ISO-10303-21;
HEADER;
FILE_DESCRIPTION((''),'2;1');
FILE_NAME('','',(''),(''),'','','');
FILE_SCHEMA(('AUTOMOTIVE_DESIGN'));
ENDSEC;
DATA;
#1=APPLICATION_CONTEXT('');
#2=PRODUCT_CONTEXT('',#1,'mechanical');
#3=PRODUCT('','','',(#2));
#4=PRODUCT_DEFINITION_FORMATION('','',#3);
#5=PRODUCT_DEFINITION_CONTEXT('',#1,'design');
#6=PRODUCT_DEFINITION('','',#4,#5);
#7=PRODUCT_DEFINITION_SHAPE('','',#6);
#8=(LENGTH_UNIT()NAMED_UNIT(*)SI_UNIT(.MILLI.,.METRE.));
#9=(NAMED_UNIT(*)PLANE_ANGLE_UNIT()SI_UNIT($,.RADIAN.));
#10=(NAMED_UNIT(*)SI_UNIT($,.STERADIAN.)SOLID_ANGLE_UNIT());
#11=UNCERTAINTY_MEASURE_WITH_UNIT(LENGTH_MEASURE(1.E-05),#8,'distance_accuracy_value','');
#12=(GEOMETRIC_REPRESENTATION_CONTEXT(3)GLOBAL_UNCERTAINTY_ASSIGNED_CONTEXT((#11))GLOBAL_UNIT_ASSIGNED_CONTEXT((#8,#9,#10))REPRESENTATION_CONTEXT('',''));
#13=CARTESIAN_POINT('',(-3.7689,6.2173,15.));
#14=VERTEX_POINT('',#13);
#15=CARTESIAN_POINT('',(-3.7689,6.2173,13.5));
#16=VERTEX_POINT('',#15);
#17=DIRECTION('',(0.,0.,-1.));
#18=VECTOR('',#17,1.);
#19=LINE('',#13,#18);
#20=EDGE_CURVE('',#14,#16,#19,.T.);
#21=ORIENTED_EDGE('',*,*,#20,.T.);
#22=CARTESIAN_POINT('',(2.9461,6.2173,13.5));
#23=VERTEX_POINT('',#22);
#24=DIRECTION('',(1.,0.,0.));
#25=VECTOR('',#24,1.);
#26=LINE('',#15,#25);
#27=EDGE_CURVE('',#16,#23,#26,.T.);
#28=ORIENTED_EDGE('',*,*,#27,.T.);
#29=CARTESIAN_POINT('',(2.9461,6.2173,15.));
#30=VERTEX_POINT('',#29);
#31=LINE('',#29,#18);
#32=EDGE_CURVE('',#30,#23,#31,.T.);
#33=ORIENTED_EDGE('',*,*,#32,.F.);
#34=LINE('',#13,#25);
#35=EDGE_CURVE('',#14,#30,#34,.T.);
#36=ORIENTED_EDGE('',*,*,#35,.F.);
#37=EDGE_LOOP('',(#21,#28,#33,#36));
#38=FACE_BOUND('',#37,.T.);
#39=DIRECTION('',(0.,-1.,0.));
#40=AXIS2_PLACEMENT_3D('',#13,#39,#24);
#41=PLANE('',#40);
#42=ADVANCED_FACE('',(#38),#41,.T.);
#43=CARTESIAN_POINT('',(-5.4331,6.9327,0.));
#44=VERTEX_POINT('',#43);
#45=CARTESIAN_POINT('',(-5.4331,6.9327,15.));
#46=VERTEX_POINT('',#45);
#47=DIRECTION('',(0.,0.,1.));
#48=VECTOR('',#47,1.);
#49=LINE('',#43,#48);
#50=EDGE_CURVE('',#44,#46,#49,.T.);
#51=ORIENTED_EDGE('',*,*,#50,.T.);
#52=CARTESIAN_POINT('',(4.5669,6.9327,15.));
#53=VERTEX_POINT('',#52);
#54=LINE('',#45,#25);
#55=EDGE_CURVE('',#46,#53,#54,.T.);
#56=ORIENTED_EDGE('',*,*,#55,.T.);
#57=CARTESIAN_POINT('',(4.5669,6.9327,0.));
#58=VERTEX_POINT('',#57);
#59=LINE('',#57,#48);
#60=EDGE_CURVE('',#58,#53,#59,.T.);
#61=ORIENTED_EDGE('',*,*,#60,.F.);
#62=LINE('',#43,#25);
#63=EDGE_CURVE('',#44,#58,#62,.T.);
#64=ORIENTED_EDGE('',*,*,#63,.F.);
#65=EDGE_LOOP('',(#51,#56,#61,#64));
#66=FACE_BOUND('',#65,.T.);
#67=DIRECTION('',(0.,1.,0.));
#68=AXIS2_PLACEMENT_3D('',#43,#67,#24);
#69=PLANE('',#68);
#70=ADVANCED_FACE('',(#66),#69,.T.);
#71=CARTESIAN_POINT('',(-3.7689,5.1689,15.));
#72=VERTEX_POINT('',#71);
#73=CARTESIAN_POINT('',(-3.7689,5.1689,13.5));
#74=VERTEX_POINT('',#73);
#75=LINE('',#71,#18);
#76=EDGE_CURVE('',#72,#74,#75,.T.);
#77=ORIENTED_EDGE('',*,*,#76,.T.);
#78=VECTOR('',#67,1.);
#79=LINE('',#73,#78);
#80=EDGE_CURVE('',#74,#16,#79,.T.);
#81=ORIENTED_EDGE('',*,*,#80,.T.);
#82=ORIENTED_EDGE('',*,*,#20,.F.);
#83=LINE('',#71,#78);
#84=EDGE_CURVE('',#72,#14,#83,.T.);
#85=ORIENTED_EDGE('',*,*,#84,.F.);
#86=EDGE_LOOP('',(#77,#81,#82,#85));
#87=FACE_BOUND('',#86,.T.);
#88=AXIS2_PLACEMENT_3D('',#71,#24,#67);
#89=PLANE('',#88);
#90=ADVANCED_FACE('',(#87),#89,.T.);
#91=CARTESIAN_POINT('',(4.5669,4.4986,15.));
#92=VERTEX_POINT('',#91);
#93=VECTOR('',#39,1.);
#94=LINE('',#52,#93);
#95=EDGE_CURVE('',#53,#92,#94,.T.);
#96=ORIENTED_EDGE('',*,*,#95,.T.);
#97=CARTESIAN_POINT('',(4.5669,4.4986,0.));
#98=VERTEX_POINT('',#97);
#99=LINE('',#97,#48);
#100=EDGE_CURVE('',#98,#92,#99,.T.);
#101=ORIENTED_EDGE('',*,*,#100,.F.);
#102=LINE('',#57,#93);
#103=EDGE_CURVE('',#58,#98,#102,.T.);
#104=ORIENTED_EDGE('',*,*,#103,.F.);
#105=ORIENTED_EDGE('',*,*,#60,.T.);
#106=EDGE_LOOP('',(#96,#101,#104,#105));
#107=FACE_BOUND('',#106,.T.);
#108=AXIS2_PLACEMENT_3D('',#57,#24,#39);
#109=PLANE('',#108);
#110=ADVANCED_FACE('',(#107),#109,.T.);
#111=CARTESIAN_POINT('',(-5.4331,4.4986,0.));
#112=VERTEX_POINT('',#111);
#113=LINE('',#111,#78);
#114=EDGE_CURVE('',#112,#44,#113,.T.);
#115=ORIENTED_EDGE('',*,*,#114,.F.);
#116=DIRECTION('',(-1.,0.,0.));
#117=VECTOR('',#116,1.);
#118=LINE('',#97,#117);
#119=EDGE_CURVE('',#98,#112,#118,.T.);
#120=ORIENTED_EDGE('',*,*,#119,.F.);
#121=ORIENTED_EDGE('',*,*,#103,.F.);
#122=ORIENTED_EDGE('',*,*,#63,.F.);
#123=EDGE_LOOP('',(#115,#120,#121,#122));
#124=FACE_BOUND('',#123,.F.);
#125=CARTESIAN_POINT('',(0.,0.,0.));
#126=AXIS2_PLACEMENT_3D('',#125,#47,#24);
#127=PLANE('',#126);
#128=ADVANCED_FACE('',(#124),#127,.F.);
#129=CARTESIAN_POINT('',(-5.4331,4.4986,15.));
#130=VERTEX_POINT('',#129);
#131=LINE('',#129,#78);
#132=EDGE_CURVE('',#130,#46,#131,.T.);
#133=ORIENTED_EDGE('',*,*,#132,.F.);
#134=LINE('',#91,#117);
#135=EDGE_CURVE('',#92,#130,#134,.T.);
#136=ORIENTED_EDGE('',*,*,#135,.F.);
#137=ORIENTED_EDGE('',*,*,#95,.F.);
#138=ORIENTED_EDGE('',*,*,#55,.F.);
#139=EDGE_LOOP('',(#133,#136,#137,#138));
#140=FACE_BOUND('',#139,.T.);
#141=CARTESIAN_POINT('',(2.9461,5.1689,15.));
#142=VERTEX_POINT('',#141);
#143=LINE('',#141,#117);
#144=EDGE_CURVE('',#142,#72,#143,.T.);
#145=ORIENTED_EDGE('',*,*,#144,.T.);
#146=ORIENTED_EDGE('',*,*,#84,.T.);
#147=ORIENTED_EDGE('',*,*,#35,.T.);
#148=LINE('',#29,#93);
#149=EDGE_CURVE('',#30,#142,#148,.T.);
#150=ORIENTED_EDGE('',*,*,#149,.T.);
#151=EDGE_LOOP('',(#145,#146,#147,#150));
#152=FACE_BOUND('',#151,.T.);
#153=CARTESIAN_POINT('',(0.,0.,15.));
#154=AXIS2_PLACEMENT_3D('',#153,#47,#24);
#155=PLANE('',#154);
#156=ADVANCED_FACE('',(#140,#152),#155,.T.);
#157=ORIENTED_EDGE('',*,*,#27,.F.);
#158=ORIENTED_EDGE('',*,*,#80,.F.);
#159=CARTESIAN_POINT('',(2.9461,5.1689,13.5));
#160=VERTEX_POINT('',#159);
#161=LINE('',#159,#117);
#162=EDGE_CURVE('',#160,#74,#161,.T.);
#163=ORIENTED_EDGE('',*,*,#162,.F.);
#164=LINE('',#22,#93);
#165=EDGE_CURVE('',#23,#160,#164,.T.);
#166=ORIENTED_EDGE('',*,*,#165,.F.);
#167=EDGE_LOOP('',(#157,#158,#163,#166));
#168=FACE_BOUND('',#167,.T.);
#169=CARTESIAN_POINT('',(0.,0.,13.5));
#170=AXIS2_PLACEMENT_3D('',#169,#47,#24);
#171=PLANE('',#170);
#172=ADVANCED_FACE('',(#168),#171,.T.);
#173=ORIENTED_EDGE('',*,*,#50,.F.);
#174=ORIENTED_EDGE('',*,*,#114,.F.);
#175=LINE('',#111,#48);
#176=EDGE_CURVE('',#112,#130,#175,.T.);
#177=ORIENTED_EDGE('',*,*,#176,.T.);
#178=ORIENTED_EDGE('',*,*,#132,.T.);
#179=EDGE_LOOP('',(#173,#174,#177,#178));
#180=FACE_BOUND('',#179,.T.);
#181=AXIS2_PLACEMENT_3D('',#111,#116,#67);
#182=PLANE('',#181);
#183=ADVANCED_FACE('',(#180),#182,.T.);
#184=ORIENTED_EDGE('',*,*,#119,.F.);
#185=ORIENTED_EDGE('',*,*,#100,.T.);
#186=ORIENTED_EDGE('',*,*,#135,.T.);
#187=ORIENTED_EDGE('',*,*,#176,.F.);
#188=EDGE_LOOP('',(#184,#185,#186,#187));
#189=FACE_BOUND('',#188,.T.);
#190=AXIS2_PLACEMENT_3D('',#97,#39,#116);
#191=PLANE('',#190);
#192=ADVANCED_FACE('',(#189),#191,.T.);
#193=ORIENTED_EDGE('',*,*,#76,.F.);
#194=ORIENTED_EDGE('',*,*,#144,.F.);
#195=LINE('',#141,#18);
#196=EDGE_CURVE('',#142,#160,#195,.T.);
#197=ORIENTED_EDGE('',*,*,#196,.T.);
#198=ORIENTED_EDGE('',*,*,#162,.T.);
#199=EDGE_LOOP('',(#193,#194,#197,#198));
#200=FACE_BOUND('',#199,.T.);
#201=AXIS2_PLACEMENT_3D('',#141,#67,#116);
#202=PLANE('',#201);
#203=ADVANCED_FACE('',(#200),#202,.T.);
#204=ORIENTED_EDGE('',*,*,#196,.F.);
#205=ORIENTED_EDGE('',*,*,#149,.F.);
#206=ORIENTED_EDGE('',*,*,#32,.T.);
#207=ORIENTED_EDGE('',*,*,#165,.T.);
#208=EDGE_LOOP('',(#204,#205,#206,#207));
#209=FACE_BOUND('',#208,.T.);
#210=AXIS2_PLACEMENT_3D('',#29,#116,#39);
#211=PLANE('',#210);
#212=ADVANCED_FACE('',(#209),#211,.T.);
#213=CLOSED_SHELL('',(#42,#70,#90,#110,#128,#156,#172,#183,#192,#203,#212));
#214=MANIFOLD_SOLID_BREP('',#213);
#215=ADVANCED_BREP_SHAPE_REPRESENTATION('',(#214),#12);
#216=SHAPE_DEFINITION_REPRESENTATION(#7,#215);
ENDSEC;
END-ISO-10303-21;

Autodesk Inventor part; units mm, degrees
ref_plane "YZ Plane" through (0, 0, 0) normal (1, 0, 0) x (0, 1, 0)
ref_plane "XZ Plane" through (0, 0, 0) normal (0, 1, 0) x (-1, 0, 0)
ref_plane "XY Plane" through (0, 0, 0) normal (0, 0, 1) x (1, 0, 0)
sketch "Sketch1" plane through (0, 0, 0) normal (0, 0, 1) x (1, 0, 0)
  line L0 (-5.4331, 6.9327) -> (4.5669, 6.9327)
  line L1 (4.5669, 6.9327) -> (4.5669, 4.4986)
  line L2 (4.5669, 4.4986) -> (-5.4331, 4.4986)
  line L3 (-5.4331, 4.4986) -> (-5.4331, 6.9327)
  point P0 (0, 0)
  dimension "d0" = 10
extrude "Extrusion1" add sketch "Sketch1" along normal blind 15
sketch "Sketch2" plane through (0, 0, 15) normal (0, 0, 1) x (1, 0, 0)
  line L0 (-3.7689, 6.2173) -> (2.9461, 6.2173)
  line L1 (2.9461, 6.2173) -> (2.9461, 5.1689)
  line L2 (2.9461, 5.1689) -> (-3.7689, 5.1689)
  line L3 (-3.7689, 5.1689) -> (-3.7689, 6.2173)
  point P0 (0, 0)
extrude "Extrusion2" cut sketch "Sketch2" against normal blind 1.5
properties part number "cutter grp 17-2"
